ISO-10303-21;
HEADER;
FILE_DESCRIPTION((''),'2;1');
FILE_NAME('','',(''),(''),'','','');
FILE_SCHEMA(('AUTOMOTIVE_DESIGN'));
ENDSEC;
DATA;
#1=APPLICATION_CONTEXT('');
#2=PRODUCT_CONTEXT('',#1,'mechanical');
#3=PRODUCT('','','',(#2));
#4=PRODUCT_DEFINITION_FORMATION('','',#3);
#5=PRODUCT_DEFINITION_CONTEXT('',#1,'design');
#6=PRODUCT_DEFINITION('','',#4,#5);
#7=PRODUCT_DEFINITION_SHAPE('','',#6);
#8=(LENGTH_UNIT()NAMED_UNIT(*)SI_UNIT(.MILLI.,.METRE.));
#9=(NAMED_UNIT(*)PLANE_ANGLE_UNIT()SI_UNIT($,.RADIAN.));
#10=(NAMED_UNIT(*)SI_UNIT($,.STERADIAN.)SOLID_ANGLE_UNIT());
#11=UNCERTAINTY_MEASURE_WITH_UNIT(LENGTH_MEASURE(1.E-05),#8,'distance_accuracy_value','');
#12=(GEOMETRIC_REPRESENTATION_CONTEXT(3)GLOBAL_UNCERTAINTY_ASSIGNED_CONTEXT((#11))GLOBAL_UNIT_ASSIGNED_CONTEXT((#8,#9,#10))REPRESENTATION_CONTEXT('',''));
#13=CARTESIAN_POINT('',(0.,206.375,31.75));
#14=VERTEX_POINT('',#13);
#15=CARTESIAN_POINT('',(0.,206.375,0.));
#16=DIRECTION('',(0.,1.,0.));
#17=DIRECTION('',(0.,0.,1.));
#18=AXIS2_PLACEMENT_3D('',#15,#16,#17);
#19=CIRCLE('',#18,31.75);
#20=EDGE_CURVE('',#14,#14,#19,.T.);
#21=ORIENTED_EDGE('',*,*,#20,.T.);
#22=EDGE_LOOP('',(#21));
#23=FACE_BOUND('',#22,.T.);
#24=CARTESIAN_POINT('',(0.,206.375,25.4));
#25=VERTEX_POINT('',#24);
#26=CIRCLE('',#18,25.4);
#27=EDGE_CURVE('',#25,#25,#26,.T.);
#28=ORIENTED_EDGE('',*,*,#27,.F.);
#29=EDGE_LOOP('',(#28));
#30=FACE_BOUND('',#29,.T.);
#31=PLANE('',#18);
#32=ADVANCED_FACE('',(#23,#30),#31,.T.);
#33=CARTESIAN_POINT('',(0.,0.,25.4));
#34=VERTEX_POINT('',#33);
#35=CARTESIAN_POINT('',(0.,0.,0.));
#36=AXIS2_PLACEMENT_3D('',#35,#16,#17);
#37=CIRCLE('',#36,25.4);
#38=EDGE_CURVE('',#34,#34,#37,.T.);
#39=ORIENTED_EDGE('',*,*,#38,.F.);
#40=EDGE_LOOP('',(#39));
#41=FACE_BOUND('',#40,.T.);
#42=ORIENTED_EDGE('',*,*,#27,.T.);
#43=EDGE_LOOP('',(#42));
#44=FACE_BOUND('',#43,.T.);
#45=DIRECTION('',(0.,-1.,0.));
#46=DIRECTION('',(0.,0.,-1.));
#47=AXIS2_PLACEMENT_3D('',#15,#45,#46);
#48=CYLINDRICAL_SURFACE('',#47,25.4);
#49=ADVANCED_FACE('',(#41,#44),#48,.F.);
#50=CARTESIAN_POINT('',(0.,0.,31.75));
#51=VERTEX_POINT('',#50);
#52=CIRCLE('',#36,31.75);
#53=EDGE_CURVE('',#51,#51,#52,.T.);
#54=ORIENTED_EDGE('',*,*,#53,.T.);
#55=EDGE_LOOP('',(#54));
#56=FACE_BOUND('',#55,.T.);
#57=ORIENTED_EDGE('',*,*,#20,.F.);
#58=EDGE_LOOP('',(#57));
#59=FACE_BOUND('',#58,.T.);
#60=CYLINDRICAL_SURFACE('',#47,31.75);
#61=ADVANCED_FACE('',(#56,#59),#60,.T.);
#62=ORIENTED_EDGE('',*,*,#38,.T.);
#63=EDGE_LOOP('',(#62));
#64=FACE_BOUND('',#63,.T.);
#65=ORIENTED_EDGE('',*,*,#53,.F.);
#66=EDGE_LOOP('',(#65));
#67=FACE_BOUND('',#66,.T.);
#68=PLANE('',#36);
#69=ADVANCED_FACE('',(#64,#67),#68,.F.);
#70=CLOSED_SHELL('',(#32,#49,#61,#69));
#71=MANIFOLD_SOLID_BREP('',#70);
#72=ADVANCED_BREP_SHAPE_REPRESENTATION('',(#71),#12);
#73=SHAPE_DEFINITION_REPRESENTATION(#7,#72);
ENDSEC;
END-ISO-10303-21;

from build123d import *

# Parameters (mm, degrees)
SKETCH1_R           = 31.75
SKETCH1_R_2         = 25.4
BOSS_EXTRUDE1_DEPTH = 206.375


with BuildPart() as part:
    # Sketch1 → Boss-Extrude1 (new body)
    with BuildSketch(Plane(origin=(0, 0, 0), x_dir=(1, 0, 0), z_dir=(0, 1, 0))):
        Circle(SKETCH1_R)
        Circle(SKETCH1_R_2, mode=Mode.SUBTRACT)
    extrude(amount=BOSS_EXTRUDE1_DEPTH)


solid = part.part
